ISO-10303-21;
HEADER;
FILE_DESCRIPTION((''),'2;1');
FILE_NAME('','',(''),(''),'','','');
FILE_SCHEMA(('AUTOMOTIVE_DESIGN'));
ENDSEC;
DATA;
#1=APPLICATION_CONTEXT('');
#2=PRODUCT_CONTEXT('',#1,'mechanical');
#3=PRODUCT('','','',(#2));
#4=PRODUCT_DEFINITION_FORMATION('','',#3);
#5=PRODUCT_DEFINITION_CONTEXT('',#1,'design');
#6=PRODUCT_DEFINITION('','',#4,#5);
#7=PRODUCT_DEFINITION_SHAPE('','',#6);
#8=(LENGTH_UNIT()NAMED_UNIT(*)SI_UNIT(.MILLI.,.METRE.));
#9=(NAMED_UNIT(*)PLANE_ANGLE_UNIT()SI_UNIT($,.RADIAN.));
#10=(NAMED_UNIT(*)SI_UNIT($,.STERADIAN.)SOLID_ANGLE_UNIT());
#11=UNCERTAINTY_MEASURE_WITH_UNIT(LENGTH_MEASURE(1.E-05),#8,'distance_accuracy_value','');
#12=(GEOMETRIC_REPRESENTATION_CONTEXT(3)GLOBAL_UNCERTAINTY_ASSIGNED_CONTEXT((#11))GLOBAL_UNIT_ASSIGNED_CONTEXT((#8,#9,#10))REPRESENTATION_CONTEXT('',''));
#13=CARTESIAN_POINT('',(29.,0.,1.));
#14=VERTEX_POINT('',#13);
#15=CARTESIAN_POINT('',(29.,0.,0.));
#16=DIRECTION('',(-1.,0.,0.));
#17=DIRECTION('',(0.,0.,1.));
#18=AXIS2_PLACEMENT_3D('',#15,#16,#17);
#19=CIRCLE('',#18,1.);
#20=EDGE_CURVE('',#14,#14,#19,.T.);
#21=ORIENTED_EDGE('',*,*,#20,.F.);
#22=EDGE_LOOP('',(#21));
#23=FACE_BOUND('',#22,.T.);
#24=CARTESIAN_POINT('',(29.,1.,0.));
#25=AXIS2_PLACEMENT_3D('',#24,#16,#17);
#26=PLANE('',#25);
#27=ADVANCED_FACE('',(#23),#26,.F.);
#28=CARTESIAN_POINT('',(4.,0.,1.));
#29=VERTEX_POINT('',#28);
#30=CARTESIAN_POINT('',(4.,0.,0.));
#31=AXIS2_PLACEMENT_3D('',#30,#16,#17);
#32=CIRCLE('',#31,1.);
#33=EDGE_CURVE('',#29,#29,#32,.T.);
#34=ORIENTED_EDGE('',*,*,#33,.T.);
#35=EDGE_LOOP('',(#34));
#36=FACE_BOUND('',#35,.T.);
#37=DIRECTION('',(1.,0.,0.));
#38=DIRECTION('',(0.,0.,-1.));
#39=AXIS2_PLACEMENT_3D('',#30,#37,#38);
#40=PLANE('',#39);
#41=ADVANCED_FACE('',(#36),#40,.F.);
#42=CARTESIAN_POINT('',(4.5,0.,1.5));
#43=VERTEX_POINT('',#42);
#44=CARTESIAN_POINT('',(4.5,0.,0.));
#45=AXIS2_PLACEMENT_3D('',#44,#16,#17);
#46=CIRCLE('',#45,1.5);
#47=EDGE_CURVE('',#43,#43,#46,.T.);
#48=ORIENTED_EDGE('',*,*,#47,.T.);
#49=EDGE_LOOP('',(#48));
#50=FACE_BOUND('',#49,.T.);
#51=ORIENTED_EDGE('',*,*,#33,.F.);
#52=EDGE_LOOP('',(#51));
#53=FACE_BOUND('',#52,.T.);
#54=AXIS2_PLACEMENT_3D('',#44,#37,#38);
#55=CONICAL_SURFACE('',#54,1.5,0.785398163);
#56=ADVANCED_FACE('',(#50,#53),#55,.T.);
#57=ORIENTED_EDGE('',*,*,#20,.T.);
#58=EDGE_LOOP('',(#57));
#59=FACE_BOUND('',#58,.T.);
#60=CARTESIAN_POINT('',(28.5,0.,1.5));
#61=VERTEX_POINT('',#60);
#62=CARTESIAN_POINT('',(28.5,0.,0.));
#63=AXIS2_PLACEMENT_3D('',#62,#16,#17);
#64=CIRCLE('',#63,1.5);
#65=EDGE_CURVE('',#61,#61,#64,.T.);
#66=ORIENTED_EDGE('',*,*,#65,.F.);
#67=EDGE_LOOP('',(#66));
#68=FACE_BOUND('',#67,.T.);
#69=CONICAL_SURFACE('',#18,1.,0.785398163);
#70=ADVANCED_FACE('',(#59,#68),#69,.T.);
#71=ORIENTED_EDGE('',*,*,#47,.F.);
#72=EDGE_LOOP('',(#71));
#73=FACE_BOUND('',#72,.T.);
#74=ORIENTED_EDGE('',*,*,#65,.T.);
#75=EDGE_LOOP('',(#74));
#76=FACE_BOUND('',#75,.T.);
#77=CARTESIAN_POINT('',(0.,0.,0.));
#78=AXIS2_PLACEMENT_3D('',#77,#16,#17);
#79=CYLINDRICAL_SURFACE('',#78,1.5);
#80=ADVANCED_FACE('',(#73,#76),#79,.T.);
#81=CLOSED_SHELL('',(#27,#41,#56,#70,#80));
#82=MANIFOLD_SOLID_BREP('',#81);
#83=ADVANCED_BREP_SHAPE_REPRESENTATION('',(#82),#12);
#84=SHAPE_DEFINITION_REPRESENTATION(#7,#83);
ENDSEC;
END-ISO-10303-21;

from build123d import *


with BuildPart() as part:
    # Sketch1 → Revolve1 (revolve)
    with BuildSketch(Plane.XY, mode=Mode.PRIVATE) as revolve1_sk:
        Polygon((4, 0), (4, 1), (4.5, 1.5), (28.5, 1.5), (29, 1), (29, 0), align=None)
    revolve(revolve1_sk.sketch.rotate(Axis((0, 0, 0), (1, 0, 0)), 90), axis=Axis((0, 0, 0), (1, 0, 0)))


solid = part.part
